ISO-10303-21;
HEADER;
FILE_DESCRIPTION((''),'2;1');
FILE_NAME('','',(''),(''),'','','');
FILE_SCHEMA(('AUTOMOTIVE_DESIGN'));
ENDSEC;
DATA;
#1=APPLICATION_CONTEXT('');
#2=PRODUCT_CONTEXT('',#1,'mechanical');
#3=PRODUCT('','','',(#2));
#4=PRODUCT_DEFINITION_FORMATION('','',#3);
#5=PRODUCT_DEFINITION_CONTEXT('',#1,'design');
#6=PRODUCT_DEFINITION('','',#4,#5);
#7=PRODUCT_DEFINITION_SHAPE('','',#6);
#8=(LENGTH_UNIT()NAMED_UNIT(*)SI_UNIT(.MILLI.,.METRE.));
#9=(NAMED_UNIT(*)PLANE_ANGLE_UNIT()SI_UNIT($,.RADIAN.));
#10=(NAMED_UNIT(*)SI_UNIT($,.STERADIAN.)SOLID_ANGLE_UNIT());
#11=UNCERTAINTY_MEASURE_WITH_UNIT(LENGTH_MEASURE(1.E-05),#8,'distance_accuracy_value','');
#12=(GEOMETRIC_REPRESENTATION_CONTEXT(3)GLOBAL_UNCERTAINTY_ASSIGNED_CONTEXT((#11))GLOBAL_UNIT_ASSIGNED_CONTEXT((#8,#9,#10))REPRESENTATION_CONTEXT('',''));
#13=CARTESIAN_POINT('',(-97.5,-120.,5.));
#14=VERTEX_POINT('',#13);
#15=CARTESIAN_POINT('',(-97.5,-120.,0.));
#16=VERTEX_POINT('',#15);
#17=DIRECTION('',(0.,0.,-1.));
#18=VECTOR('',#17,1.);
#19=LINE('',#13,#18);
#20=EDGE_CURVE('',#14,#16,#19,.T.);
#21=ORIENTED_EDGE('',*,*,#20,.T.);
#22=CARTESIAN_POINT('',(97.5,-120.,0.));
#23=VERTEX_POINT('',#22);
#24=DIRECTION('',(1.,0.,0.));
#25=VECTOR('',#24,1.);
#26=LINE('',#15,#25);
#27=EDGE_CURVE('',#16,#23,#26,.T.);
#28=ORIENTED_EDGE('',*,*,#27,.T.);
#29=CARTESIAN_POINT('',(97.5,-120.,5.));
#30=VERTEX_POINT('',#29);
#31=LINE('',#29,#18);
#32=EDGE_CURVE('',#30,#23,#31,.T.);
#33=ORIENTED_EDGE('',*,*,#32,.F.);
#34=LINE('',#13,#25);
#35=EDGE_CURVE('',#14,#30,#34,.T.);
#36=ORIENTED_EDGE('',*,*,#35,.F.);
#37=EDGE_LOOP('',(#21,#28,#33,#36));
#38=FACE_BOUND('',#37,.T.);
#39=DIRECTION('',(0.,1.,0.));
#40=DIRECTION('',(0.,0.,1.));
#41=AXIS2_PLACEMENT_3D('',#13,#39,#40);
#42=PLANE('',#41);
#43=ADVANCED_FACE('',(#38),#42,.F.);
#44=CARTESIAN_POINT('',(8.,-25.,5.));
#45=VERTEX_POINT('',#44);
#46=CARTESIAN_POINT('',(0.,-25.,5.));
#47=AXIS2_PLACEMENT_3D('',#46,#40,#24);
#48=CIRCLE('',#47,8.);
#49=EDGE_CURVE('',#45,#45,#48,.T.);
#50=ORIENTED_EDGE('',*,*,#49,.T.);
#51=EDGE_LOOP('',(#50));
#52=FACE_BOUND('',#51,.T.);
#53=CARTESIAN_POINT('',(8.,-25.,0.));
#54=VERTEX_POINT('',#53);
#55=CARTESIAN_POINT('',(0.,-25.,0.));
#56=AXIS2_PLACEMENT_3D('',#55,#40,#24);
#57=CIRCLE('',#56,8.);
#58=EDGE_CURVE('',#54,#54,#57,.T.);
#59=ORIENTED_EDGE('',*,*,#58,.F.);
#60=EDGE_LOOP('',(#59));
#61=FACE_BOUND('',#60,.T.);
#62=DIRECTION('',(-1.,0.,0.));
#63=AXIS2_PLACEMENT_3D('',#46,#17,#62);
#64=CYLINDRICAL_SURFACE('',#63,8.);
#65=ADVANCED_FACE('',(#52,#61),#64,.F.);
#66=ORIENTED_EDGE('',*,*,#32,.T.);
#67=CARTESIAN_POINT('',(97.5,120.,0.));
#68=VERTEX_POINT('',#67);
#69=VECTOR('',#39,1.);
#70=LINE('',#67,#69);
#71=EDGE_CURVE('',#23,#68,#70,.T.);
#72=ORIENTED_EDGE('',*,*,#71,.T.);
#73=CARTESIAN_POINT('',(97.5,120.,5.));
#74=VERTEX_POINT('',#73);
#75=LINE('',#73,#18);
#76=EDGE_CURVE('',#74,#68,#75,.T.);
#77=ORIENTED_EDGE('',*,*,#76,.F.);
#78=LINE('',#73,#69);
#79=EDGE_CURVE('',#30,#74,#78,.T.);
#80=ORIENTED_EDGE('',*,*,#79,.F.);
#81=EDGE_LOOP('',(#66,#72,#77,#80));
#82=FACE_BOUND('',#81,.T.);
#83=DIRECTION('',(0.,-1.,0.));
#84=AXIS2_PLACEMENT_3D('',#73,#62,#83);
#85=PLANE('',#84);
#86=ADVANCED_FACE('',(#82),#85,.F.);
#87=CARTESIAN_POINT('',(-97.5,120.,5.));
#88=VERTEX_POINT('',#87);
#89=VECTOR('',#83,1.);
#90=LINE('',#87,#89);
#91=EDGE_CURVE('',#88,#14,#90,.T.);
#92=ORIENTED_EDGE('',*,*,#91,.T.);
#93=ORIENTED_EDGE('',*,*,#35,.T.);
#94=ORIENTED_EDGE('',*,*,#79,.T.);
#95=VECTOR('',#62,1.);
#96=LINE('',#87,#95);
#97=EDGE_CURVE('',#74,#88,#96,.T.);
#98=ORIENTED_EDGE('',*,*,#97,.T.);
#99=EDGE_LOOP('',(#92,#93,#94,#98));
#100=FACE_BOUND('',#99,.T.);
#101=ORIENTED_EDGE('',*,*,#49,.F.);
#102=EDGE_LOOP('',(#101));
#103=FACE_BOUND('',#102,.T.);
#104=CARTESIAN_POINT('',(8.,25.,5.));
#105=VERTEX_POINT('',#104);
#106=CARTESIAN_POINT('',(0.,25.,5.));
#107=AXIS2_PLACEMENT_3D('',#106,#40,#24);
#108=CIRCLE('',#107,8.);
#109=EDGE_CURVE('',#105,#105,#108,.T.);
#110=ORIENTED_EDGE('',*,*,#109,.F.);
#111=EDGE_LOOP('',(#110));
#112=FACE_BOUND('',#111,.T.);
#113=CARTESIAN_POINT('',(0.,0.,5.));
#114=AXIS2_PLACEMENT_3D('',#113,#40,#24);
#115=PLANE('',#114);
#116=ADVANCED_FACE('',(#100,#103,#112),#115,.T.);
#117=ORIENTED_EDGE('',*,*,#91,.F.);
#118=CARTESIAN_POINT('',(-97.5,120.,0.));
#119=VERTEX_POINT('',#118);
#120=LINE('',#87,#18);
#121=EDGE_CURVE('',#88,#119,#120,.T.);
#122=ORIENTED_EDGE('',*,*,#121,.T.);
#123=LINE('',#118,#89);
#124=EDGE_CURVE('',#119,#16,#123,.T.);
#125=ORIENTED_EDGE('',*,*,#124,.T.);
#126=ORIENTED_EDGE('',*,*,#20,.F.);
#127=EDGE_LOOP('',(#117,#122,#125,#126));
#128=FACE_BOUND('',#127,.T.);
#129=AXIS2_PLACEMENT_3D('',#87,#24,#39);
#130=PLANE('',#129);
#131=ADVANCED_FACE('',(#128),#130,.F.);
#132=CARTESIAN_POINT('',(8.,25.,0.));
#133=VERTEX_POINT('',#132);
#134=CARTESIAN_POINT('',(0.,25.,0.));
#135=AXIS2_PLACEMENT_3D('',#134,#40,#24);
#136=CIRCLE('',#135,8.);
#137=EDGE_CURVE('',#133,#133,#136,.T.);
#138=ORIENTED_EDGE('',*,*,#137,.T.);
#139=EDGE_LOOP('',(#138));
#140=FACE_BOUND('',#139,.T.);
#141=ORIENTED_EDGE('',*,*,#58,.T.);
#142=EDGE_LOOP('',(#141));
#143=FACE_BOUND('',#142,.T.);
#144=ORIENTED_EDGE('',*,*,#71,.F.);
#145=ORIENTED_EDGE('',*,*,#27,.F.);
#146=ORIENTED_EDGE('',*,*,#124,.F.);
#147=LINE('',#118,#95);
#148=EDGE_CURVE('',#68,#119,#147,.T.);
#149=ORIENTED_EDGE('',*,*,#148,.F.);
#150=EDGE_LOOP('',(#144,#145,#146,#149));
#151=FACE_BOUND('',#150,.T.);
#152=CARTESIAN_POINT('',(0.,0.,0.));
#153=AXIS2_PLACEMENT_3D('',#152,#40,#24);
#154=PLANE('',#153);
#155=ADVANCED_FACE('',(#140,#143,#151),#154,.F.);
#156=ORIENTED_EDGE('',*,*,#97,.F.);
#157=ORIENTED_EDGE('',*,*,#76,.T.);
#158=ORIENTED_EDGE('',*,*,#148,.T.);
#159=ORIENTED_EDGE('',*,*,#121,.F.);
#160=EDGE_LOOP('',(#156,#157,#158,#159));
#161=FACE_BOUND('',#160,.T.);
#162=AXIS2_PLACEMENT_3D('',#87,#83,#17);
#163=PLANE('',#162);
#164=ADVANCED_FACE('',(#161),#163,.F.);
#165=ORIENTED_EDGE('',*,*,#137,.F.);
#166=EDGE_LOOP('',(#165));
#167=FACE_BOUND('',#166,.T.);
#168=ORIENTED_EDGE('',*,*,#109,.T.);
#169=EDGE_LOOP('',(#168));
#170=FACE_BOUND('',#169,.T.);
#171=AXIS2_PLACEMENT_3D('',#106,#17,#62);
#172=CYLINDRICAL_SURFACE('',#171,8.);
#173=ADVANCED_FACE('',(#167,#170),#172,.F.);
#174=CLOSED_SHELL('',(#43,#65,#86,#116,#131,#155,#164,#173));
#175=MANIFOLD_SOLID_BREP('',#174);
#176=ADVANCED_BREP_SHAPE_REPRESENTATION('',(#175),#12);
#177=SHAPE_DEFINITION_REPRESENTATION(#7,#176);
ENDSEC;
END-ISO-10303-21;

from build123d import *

# Parameters (mm, degrees)
SKETCH1_W           = 195
SKETCH1_H           = 240
SKETCH1_R           = 8
BOSS_EXTRUDE1_DEPTH = 5


with BuildPart() as part:
    # Sketch1 → Boss-Extrude1 (new body)
    with BuildSketch(Plane.XY):
        Rectangle(SKETCH1_W, SKETCH1_H)
        with Locations((0, 25)):
            Circle(SKETCH1_R, mode=Mode.SUBTRACT)
        with Locations((0, -25)):
            Circle(SKETCH1_R, mode=Mode.SUBTRACT)
    extrude(amount=BOSS_EXTRUDE1_DEPTH)


solid = part.part
